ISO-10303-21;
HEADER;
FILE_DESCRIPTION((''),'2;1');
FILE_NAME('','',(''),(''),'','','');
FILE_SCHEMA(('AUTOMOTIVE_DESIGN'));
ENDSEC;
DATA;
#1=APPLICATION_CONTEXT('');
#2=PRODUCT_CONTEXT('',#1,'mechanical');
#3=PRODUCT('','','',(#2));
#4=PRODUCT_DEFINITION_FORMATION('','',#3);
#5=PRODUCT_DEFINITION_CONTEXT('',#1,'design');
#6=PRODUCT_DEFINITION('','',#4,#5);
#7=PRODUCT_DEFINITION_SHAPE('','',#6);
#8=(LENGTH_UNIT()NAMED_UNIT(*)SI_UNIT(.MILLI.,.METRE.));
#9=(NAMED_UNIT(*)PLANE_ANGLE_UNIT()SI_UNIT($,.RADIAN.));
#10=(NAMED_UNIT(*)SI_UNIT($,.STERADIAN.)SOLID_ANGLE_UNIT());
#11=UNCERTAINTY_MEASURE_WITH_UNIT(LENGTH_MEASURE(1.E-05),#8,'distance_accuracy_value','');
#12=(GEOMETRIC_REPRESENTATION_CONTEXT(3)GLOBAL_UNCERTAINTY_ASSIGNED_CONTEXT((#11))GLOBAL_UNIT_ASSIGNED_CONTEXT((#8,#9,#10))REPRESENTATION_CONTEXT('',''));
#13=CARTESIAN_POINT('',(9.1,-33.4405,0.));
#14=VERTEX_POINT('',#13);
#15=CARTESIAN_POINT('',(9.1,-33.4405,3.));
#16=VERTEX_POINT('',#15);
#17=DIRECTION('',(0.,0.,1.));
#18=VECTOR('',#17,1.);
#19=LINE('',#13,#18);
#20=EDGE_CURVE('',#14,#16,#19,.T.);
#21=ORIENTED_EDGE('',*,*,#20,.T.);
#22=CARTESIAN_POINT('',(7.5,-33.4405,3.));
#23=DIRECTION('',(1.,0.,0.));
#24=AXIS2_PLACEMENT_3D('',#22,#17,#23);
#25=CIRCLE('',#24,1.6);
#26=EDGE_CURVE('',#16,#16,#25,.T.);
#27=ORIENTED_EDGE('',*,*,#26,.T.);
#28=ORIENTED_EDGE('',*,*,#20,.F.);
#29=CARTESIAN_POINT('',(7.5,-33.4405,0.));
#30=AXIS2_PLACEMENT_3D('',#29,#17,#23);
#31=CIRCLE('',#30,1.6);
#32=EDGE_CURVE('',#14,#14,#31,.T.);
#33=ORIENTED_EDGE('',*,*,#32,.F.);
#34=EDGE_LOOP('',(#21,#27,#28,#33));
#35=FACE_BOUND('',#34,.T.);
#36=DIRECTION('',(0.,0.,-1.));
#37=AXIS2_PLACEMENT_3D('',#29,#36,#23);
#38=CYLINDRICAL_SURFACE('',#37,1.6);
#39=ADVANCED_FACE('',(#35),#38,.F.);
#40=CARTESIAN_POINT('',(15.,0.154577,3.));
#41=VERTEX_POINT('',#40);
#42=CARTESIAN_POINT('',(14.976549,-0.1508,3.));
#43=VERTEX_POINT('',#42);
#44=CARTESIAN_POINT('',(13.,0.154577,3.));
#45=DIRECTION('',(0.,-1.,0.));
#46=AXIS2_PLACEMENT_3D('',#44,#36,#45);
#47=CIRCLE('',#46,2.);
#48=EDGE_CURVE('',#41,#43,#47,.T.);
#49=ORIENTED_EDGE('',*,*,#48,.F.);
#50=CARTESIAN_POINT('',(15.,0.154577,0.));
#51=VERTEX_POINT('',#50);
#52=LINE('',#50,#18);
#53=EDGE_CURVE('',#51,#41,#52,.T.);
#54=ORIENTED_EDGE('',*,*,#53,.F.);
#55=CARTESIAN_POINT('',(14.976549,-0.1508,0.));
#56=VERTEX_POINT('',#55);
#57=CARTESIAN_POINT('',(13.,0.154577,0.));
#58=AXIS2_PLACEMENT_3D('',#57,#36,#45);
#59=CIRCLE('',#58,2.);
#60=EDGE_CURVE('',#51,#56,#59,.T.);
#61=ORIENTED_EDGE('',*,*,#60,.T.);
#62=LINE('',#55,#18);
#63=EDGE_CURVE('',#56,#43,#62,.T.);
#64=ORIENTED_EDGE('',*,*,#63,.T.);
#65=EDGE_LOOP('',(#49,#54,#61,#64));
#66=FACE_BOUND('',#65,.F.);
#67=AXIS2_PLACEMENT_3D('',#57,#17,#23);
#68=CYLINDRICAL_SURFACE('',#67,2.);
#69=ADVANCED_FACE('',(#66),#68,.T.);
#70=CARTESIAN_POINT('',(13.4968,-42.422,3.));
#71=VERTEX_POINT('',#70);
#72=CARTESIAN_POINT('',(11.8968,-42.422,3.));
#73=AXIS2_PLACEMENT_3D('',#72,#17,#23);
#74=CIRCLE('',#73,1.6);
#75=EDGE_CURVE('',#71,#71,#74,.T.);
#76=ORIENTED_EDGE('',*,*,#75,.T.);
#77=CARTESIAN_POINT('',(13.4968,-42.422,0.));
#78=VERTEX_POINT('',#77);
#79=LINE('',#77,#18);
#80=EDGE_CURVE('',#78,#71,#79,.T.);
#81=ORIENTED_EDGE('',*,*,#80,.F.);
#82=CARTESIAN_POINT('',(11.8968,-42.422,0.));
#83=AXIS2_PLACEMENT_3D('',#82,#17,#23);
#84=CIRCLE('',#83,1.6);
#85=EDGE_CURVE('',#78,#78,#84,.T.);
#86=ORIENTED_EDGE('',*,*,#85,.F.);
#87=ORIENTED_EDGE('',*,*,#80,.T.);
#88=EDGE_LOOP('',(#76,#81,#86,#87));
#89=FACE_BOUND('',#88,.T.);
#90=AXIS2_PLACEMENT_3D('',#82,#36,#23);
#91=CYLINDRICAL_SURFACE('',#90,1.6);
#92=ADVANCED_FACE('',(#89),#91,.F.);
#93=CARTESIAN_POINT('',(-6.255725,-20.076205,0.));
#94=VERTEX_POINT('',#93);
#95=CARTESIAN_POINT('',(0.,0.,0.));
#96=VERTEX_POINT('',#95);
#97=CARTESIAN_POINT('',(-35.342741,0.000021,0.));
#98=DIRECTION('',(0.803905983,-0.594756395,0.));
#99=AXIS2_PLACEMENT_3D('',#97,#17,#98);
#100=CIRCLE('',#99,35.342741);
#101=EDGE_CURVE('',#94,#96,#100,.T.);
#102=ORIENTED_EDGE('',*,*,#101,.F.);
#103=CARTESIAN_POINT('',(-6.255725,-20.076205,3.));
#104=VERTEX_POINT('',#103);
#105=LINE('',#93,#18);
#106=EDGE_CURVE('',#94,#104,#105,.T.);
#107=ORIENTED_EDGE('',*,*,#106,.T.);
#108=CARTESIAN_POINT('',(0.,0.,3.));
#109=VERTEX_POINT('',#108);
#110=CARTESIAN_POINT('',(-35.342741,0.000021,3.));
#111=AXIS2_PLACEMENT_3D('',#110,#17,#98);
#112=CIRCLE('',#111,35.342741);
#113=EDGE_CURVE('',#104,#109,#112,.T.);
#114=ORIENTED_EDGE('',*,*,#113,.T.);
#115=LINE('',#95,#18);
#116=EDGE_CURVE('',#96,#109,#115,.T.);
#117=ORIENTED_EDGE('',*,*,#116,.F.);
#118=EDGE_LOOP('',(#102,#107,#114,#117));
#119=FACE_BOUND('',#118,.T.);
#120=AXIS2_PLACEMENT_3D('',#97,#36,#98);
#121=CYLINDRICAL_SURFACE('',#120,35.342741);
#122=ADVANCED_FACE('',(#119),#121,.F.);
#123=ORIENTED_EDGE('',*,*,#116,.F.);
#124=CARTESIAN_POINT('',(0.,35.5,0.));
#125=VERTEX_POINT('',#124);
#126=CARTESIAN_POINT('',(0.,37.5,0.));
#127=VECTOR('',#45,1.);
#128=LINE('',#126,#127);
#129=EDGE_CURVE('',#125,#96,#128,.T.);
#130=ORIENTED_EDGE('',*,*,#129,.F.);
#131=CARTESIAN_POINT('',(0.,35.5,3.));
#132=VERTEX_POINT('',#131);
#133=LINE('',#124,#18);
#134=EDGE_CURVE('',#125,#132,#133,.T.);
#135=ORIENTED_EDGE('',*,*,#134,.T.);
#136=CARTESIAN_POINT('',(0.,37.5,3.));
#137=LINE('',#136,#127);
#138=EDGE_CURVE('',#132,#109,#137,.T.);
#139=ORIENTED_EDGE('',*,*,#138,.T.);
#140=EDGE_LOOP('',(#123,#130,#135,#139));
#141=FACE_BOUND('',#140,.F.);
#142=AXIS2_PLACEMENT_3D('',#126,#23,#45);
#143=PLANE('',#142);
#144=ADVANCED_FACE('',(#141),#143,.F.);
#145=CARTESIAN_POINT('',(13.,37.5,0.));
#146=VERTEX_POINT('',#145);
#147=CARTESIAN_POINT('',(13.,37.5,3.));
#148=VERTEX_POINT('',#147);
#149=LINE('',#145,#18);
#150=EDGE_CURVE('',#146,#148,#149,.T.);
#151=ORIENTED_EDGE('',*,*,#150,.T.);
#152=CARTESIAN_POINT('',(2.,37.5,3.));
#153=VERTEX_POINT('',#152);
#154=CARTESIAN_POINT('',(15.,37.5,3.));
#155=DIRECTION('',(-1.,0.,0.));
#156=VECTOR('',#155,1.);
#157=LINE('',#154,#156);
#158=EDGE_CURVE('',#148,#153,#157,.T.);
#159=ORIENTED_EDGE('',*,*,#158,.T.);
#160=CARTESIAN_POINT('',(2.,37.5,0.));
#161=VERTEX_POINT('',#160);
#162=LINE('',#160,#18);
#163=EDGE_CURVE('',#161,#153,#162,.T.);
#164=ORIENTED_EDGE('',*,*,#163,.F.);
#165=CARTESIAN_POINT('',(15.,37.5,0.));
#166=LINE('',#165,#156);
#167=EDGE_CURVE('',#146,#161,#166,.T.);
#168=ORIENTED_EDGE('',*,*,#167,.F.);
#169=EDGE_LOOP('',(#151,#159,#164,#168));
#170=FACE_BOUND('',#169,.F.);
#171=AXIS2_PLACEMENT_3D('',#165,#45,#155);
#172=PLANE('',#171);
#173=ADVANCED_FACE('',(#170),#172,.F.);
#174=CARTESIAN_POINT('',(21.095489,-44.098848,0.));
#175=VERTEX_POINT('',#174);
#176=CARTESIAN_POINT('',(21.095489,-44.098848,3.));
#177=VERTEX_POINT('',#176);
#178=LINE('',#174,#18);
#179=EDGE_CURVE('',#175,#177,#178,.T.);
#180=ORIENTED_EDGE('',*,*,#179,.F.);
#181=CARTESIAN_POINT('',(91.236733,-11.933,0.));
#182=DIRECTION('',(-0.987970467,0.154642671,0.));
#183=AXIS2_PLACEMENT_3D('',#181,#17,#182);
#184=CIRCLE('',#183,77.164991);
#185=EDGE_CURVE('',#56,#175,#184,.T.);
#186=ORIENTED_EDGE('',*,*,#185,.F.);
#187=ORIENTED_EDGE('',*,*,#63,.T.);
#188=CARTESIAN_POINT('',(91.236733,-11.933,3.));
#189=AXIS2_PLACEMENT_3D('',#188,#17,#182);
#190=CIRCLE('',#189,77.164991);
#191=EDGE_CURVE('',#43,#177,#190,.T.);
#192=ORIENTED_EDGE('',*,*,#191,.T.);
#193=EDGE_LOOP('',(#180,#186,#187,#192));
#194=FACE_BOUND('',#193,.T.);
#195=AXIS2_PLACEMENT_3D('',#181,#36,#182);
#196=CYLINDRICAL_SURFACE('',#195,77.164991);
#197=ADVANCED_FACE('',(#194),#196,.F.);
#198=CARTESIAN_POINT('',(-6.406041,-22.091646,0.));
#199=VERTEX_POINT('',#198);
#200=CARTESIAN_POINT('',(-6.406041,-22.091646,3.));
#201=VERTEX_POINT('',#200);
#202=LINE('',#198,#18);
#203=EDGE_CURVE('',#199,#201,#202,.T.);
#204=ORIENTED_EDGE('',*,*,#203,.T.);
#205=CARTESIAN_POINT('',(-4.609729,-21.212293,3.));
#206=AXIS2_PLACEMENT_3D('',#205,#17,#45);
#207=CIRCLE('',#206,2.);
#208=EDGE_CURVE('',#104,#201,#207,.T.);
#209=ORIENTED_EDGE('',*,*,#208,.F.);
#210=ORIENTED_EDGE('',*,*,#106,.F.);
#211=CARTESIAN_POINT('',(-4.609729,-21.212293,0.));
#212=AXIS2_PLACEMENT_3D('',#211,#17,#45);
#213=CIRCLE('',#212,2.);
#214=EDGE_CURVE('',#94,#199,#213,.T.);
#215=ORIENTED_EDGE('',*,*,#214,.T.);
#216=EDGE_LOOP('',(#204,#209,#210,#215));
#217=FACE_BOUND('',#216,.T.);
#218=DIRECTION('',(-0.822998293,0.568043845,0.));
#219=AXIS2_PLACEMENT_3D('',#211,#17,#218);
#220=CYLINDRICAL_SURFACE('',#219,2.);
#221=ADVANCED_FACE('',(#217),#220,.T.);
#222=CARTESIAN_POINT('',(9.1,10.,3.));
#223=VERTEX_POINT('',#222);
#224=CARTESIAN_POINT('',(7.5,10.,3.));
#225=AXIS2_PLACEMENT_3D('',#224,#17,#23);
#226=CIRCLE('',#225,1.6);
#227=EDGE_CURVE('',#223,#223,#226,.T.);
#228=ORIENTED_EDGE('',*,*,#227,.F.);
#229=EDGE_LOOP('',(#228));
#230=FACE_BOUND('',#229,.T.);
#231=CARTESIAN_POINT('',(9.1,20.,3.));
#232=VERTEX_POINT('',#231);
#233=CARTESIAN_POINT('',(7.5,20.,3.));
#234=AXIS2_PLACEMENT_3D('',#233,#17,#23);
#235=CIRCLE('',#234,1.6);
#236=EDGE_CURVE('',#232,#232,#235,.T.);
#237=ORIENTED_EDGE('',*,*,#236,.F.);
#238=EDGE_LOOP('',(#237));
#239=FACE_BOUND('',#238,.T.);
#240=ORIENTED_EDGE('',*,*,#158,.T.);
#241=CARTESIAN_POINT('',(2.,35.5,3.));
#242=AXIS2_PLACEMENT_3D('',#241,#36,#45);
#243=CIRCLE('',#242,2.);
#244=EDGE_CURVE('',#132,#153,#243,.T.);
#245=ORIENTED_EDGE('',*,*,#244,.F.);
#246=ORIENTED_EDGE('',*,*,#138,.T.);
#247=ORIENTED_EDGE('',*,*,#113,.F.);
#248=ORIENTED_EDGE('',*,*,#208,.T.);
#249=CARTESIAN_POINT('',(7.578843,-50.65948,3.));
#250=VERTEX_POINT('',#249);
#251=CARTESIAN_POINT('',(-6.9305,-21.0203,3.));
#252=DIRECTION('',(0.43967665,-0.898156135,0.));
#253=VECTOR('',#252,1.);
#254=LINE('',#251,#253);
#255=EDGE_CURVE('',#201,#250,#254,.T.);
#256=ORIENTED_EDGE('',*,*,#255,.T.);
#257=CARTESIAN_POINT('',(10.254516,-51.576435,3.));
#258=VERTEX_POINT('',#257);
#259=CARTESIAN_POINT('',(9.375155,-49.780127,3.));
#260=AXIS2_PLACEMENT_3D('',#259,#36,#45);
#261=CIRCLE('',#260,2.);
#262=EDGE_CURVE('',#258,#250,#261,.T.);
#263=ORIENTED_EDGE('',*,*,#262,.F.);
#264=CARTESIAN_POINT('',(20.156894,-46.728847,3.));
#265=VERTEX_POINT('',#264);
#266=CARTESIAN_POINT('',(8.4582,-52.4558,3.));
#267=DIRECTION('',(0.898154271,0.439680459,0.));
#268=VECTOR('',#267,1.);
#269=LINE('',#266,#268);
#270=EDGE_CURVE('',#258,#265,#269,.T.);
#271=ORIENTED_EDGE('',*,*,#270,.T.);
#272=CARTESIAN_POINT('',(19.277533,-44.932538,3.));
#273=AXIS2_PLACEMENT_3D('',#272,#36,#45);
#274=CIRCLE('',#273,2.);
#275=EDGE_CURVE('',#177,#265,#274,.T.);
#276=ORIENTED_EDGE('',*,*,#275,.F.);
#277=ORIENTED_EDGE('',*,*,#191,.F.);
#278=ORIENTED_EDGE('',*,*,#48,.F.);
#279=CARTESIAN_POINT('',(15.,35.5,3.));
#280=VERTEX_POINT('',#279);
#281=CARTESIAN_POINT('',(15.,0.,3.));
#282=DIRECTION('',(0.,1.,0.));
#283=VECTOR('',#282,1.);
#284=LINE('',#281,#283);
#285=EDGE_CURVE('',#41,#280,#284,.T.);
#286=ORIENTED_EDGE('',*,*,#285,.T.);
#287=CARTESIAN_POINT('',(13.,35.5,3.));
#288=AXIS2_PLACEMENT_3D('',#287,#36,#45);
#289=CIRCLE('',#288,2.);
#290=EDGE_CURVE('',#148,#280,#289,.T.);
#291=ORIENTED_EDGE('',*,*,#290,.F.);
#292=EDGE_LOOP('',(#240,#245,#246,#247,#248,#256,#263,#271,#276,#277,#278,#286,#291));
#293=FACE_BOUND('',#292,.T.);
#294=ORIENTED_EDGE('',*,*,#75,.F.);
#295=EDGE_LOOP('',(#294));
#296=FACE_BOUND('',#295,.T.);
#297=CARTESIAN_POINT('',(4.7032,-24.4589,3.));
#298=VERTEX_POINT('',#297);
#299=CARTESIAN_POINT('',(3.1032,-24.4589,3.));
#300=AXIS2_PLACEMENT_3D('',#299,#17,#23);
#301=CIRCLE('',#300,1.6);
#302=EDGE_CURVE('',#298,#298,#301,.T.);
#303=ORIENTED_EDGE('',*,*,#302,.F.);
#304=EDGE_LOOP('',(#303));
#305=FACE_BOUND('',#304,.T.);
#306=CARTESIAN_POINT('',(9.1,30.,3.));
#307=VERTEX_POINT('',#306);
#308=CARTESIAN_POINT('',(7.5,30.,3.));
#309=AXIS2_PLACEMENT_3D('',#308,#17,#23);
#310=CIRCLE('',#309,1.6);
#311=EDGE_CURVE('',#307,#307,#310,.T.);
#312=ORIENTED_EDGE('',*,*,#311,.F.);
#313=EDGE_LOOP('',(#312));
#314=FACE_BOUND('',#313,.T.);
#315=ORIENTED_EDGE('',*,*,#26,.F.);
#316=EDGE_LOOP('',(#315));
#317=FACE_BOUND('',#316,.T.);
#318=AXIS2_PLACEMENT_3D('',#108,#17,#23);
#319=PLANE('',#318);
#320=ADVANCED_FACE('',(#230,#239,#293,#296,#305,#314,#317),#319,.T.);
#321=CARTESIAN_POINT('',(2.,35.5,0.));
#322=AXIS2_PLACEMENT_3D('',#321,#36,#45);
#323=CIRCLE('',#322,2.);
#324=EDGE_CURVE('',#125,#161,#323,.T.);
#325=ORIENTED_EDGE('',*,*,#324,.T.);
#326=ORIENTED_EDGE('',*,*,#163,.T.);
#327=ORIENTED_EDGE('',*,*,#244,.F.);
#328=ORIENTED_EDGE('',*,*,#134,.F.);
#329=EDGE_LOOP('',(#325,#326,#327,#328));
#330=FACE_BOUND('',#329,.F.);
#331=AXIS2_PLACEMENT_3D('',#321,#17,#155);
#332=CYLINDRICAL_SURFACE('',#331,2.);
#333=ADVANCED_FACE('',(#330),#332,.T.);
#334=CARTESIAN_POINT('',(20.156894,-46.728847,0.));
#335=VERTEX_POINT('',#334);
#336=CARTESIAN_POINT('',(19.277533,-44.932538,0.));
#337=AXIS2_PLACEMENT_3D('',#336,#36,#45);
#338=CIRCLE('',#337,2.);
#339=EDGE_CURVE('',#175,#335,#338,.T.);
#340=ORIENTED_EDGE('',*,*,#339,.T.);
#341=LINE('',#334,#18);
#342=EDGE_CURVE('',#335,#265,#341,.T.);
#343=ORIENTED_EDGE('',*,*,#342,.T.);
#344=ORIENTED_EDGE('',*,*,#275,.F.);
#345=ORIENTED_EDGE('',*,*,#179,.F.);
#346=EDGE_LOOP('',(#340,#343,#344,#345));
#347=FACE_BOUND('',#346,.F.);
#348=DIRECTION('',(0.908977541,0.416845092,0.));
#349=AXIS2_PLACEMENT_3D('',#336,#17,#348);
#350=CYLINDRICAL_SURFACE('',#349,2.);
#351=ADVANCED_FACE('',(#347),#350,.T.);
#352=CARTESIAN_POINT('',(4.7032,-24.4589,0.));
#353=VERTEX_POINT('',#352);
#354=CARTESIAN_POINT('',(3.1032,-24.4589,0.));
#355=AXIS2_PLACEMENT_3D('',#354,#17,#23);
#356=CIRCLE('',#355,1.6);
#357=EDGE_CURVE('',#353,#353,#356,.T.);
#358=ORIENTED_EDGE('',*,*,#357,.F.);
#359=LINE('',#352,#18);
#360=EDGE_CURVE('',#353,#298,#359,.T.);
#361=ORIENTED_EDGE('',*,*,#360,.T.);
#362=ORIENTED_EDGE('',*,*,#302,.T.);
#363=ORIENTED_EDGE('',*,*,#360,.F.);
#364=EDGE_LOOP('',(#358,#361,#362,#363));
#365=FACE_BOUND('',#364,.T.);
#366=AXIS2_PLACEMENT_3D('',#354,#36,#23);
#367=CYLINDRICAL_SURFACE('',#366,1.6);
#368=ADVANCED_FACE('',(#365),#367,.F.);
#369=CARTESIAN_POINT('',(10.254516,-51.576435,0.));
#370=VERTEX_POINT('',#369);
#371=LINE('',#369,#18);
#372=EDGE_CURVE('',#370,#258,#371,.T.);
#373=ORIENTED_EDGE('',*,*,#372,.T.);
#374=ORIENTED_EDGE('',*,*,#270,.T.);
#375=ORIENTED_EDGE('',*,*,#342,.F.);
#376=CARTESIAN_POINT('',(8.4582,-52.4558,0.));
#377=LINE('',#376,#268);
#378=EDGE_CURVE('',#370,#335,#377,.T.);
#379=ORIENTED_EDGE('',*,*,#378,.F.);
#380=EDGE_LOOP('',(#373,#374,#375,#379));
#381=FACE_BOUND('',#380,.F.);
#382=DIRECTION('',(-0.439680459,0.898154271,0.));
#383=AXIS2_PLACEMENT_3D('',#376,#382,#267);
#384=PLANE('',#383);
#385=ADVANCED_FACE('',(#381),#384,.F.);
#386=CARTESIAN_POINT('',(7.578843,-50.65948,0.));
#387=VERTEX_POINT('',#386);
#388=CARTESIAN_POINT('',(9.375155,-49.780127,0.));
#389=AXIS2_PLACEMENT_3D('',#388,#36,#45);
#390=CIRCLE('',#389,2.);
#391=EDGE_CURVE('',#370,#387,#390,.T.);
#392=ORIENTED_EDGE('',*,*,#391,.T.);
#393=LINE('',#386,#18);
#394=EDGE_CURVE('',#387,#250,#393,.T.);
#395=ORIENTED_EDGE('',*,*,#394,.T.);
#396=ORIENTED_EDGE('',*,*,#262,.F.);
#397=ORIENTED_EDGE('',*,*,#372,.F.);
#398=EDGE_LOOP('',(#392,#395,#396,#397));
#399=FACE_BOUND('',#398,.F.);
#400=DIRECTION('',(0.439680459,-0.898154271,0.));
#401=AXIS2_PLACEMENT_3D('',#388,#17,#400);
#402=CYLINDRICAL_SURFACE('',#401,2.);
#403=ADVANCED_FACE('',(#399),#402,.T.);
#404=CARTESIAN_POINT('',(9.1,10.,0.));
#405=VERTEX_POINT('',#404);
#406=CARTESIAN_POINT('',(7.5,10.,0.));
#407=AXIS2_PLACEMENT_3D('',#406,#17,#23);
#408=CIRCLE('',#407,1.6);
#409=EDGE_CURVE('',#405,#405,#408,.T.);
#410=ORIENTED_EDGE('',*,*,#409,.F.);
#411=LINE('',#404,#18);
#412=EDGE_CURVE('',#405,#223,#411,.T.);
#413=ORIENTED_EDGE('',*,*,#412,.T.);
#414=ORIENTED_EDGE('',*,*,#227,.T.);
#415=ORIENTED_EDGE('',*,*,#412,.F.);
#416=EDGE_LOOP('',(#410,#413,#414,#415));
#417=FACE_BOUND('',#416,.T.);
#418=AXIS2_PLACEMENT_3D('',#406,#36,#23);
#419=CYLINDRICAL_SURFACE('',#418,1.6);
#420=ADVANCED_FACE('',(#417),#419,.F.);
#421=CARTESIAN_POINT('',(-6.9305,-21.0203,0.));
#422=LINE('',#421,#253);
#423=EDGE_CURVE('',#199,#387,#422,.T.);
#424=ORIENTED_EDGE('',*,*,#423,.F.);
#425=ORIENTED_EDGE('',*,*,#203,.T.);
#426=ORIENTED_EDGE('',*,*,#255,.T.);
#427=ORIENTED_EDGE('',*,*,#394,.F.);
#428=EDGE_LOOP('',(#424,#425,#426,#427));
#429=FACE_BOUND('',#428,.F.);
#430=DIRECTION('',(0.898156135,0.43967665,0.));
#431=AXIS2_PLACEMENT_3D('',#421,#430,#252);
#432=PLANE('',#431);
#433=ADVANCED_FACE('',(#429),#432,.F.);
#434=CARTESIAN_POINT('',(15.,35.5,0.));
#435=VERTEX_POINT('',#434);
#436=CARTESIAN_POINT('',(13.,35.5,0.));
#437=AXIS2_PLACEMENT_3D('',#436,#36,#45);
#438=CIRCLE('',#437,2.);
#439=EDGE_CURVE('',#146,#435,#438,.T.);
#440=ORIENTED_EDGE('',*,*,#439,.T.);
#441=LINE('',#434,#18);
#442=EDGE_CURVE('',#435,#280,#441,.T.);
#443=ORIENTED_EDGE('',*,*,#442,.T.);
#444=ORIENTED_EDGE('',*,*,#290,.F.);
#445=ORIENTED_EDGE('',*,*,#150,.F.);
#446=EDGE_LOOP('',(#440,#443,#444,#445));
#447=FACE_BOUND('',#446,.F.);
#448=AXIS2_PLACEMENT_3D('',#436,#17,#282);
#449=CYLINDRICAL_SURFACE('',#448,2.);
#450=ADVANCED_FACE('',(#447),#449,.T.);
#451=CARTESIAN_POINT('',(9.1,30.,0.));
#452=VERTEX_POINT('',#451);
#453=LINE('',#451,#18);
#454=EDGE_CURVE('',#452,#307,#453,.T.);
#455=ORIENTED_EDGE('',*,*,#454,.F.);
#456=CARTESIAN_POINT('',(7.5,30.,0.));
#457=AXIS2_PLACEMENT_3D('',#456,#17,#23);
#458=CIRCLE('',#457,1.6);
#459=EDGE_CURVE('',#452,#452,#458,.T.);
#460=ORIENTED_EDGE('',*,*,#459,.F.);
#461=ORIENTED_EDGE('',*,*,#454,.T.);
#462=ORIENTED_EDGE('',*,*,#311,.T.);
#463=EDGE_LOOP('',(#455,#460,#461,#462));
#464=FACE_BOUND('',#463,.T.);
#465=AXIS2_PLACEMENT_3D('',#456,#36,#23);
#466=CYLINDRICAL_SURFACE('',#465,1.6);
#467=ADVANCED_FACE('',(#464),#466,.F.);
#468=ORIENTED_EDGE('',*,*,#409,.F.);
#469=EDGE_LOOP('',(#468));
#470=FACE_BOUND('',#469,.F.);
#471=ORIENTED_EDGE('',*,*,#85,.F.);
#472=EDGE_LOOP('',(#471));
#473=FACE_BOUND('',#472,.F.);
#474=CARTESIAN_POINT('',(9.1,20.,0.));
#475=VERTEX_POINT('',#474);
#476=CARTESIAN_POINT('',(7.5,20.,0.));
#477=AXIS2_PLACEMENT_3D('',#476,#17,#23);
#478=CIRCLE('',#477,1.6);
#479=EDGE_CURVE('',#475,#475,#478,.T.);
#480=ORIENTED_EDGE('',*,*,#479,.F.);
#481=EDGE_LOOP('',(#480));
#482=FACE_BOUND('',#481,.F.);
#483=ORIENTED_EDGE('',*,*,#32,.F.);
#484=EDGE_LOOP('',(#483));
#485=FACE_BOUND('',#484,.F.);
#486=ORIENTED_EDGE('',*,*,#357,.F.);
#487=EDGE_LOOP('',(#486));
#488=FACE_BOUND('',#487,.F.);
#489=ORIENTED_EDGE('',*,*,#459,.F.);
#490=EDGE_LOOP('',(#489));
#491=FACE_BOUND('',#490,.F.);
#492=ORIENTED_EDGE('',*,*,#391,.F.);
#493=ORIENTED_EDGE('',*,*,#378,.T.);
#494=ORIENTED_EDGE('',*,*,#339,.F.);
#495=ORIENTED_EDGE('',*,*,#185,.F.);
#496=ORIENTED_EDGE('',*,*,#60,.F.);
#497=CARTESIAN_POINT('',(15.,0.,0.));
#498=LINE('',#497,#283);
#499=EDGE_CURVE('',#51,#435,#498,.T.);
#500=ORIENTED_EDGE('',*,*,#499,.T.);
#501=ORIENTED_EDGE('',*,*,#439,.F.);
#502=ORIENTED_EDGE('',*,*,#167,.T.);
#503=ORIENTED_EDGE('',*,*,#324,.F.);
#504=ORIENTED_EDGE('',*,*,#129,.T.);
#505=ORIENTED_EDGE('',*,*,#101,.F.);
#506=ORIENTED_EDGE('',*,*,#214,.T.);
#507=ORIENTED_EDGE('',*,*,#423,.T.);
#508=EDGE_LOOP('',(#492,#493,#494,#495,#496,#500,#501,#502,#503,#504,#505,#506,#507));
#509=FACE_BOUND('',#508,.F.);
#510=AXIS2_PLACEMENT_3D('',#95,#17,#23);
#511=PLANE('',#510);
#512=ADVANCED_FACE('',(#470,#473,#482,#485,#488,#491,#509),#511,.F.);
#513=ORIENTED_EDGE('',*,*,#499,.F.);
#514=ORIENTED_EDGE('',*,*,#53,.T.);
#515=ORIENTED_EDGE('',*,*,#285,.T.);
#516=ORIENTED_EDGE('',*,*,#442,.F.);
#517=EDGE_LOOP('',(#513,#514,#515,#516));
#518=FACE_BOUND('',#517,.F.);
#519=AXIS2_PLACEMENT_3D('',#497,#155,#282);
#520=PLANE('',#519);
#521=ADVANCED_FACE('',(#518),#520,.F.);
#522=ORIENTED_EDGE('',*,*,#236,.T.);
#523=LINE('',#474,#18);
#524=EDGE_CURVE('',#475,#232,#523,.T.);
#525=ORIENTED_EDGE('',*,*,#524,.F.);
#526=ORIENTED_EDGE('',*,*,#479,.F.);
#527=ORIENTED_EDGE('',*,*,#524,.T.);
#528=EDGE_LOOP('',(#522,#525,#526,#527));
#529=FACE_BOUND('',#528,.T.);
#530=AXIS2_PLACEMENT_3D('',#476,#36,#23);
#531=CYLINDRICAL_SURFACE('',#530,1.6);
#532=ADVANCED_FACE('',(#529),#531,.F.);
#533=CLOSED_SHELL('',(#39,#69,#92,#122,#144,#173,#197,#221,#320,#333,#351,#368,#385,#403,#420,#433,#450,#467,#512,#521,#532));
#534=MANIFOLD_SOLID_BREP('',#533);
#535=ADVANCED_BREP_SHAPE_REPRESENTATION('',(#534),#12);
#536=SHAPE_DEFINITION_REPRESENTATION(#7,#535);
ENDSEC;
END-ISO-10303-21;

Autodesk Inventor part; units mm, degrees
ref_plane "YZ Plane" through (0, 0, 0) normal (1, 0, 0) x (0, 1, 0)
ref_plane "XZ Plane" through (0, 0, 0) normal (0, 1, 0) x (-1, 0, 0)
ref_plane "XY Plane" through (0, 0, 0) normal (0, 0, 1) x (1, 0, 0)
sketch "スケッチ1" plane through (0, 0, 0) normal (0, 0, 1) x (1, 0, 0)
  circle A0 centre (11.8968, -42.422) radius 1.6 projected
  circle A1 centre (7.5, -33.4405) radius 1.6 projected
  circle A2 centre (3.1032, -24.4589) radius 1.6 projected
  circle A3 centre (7.5, 10) radius 1.6 projected
  circle A4 centre (7.5, 20) radius 1.6 projected
  circle A5 centre (7.5, 30) radius 1.6 projected
  line L0 (-6.9305, -21.0203) -> (8.4582, -52.4558)
  line L1 (8.4582, -52.4558) -> (21.9305, -45.8606)
  line L2 (15, 0) -> (15, 37.5)
  line L3 (15, 37.5) -> (0, 37.5)
  line L4 (0, 37.5) -> (0, 0)
  arc A6 (15, 0) -> (21.9305, -45.8606) centre (91.2366, -11.933) ccw
  line L5 (21.9305, -45.8606) -> (6.5418, -14.4252) construction
  arc A7 (-6.9305, -21.0203) -> (0, 0) centre (-35.3427, 0) ccw
  line L6 (6.5418, -14.4252) -> (-6.9305, -21.0203) construction
  dimension "d0" = 7.5
  dimension "d1" = 7.5
  dimension "d2" = 7.5
  dimension "d3" = 7.5
  dimension "d4" = 7.5
  dimension "d5" = 7.5
  dimension "d6" = 7.5
extrude "押し出し1" add sketch "スケッチ1" along normal blind 3
fillet "フィレット1" radius 2 6 edges at (21.9305, -45.8606, 1.5) (8.4582, -52.4558, 1.5) (-6.9305, -21.0203, 1.5) (0, 37.5, 1.5) (15, 37.5, 1.5) (15, 0, 1.5)
properties part number "オムニ_固定具寸法不明2" material "アルミニウム 6061"
